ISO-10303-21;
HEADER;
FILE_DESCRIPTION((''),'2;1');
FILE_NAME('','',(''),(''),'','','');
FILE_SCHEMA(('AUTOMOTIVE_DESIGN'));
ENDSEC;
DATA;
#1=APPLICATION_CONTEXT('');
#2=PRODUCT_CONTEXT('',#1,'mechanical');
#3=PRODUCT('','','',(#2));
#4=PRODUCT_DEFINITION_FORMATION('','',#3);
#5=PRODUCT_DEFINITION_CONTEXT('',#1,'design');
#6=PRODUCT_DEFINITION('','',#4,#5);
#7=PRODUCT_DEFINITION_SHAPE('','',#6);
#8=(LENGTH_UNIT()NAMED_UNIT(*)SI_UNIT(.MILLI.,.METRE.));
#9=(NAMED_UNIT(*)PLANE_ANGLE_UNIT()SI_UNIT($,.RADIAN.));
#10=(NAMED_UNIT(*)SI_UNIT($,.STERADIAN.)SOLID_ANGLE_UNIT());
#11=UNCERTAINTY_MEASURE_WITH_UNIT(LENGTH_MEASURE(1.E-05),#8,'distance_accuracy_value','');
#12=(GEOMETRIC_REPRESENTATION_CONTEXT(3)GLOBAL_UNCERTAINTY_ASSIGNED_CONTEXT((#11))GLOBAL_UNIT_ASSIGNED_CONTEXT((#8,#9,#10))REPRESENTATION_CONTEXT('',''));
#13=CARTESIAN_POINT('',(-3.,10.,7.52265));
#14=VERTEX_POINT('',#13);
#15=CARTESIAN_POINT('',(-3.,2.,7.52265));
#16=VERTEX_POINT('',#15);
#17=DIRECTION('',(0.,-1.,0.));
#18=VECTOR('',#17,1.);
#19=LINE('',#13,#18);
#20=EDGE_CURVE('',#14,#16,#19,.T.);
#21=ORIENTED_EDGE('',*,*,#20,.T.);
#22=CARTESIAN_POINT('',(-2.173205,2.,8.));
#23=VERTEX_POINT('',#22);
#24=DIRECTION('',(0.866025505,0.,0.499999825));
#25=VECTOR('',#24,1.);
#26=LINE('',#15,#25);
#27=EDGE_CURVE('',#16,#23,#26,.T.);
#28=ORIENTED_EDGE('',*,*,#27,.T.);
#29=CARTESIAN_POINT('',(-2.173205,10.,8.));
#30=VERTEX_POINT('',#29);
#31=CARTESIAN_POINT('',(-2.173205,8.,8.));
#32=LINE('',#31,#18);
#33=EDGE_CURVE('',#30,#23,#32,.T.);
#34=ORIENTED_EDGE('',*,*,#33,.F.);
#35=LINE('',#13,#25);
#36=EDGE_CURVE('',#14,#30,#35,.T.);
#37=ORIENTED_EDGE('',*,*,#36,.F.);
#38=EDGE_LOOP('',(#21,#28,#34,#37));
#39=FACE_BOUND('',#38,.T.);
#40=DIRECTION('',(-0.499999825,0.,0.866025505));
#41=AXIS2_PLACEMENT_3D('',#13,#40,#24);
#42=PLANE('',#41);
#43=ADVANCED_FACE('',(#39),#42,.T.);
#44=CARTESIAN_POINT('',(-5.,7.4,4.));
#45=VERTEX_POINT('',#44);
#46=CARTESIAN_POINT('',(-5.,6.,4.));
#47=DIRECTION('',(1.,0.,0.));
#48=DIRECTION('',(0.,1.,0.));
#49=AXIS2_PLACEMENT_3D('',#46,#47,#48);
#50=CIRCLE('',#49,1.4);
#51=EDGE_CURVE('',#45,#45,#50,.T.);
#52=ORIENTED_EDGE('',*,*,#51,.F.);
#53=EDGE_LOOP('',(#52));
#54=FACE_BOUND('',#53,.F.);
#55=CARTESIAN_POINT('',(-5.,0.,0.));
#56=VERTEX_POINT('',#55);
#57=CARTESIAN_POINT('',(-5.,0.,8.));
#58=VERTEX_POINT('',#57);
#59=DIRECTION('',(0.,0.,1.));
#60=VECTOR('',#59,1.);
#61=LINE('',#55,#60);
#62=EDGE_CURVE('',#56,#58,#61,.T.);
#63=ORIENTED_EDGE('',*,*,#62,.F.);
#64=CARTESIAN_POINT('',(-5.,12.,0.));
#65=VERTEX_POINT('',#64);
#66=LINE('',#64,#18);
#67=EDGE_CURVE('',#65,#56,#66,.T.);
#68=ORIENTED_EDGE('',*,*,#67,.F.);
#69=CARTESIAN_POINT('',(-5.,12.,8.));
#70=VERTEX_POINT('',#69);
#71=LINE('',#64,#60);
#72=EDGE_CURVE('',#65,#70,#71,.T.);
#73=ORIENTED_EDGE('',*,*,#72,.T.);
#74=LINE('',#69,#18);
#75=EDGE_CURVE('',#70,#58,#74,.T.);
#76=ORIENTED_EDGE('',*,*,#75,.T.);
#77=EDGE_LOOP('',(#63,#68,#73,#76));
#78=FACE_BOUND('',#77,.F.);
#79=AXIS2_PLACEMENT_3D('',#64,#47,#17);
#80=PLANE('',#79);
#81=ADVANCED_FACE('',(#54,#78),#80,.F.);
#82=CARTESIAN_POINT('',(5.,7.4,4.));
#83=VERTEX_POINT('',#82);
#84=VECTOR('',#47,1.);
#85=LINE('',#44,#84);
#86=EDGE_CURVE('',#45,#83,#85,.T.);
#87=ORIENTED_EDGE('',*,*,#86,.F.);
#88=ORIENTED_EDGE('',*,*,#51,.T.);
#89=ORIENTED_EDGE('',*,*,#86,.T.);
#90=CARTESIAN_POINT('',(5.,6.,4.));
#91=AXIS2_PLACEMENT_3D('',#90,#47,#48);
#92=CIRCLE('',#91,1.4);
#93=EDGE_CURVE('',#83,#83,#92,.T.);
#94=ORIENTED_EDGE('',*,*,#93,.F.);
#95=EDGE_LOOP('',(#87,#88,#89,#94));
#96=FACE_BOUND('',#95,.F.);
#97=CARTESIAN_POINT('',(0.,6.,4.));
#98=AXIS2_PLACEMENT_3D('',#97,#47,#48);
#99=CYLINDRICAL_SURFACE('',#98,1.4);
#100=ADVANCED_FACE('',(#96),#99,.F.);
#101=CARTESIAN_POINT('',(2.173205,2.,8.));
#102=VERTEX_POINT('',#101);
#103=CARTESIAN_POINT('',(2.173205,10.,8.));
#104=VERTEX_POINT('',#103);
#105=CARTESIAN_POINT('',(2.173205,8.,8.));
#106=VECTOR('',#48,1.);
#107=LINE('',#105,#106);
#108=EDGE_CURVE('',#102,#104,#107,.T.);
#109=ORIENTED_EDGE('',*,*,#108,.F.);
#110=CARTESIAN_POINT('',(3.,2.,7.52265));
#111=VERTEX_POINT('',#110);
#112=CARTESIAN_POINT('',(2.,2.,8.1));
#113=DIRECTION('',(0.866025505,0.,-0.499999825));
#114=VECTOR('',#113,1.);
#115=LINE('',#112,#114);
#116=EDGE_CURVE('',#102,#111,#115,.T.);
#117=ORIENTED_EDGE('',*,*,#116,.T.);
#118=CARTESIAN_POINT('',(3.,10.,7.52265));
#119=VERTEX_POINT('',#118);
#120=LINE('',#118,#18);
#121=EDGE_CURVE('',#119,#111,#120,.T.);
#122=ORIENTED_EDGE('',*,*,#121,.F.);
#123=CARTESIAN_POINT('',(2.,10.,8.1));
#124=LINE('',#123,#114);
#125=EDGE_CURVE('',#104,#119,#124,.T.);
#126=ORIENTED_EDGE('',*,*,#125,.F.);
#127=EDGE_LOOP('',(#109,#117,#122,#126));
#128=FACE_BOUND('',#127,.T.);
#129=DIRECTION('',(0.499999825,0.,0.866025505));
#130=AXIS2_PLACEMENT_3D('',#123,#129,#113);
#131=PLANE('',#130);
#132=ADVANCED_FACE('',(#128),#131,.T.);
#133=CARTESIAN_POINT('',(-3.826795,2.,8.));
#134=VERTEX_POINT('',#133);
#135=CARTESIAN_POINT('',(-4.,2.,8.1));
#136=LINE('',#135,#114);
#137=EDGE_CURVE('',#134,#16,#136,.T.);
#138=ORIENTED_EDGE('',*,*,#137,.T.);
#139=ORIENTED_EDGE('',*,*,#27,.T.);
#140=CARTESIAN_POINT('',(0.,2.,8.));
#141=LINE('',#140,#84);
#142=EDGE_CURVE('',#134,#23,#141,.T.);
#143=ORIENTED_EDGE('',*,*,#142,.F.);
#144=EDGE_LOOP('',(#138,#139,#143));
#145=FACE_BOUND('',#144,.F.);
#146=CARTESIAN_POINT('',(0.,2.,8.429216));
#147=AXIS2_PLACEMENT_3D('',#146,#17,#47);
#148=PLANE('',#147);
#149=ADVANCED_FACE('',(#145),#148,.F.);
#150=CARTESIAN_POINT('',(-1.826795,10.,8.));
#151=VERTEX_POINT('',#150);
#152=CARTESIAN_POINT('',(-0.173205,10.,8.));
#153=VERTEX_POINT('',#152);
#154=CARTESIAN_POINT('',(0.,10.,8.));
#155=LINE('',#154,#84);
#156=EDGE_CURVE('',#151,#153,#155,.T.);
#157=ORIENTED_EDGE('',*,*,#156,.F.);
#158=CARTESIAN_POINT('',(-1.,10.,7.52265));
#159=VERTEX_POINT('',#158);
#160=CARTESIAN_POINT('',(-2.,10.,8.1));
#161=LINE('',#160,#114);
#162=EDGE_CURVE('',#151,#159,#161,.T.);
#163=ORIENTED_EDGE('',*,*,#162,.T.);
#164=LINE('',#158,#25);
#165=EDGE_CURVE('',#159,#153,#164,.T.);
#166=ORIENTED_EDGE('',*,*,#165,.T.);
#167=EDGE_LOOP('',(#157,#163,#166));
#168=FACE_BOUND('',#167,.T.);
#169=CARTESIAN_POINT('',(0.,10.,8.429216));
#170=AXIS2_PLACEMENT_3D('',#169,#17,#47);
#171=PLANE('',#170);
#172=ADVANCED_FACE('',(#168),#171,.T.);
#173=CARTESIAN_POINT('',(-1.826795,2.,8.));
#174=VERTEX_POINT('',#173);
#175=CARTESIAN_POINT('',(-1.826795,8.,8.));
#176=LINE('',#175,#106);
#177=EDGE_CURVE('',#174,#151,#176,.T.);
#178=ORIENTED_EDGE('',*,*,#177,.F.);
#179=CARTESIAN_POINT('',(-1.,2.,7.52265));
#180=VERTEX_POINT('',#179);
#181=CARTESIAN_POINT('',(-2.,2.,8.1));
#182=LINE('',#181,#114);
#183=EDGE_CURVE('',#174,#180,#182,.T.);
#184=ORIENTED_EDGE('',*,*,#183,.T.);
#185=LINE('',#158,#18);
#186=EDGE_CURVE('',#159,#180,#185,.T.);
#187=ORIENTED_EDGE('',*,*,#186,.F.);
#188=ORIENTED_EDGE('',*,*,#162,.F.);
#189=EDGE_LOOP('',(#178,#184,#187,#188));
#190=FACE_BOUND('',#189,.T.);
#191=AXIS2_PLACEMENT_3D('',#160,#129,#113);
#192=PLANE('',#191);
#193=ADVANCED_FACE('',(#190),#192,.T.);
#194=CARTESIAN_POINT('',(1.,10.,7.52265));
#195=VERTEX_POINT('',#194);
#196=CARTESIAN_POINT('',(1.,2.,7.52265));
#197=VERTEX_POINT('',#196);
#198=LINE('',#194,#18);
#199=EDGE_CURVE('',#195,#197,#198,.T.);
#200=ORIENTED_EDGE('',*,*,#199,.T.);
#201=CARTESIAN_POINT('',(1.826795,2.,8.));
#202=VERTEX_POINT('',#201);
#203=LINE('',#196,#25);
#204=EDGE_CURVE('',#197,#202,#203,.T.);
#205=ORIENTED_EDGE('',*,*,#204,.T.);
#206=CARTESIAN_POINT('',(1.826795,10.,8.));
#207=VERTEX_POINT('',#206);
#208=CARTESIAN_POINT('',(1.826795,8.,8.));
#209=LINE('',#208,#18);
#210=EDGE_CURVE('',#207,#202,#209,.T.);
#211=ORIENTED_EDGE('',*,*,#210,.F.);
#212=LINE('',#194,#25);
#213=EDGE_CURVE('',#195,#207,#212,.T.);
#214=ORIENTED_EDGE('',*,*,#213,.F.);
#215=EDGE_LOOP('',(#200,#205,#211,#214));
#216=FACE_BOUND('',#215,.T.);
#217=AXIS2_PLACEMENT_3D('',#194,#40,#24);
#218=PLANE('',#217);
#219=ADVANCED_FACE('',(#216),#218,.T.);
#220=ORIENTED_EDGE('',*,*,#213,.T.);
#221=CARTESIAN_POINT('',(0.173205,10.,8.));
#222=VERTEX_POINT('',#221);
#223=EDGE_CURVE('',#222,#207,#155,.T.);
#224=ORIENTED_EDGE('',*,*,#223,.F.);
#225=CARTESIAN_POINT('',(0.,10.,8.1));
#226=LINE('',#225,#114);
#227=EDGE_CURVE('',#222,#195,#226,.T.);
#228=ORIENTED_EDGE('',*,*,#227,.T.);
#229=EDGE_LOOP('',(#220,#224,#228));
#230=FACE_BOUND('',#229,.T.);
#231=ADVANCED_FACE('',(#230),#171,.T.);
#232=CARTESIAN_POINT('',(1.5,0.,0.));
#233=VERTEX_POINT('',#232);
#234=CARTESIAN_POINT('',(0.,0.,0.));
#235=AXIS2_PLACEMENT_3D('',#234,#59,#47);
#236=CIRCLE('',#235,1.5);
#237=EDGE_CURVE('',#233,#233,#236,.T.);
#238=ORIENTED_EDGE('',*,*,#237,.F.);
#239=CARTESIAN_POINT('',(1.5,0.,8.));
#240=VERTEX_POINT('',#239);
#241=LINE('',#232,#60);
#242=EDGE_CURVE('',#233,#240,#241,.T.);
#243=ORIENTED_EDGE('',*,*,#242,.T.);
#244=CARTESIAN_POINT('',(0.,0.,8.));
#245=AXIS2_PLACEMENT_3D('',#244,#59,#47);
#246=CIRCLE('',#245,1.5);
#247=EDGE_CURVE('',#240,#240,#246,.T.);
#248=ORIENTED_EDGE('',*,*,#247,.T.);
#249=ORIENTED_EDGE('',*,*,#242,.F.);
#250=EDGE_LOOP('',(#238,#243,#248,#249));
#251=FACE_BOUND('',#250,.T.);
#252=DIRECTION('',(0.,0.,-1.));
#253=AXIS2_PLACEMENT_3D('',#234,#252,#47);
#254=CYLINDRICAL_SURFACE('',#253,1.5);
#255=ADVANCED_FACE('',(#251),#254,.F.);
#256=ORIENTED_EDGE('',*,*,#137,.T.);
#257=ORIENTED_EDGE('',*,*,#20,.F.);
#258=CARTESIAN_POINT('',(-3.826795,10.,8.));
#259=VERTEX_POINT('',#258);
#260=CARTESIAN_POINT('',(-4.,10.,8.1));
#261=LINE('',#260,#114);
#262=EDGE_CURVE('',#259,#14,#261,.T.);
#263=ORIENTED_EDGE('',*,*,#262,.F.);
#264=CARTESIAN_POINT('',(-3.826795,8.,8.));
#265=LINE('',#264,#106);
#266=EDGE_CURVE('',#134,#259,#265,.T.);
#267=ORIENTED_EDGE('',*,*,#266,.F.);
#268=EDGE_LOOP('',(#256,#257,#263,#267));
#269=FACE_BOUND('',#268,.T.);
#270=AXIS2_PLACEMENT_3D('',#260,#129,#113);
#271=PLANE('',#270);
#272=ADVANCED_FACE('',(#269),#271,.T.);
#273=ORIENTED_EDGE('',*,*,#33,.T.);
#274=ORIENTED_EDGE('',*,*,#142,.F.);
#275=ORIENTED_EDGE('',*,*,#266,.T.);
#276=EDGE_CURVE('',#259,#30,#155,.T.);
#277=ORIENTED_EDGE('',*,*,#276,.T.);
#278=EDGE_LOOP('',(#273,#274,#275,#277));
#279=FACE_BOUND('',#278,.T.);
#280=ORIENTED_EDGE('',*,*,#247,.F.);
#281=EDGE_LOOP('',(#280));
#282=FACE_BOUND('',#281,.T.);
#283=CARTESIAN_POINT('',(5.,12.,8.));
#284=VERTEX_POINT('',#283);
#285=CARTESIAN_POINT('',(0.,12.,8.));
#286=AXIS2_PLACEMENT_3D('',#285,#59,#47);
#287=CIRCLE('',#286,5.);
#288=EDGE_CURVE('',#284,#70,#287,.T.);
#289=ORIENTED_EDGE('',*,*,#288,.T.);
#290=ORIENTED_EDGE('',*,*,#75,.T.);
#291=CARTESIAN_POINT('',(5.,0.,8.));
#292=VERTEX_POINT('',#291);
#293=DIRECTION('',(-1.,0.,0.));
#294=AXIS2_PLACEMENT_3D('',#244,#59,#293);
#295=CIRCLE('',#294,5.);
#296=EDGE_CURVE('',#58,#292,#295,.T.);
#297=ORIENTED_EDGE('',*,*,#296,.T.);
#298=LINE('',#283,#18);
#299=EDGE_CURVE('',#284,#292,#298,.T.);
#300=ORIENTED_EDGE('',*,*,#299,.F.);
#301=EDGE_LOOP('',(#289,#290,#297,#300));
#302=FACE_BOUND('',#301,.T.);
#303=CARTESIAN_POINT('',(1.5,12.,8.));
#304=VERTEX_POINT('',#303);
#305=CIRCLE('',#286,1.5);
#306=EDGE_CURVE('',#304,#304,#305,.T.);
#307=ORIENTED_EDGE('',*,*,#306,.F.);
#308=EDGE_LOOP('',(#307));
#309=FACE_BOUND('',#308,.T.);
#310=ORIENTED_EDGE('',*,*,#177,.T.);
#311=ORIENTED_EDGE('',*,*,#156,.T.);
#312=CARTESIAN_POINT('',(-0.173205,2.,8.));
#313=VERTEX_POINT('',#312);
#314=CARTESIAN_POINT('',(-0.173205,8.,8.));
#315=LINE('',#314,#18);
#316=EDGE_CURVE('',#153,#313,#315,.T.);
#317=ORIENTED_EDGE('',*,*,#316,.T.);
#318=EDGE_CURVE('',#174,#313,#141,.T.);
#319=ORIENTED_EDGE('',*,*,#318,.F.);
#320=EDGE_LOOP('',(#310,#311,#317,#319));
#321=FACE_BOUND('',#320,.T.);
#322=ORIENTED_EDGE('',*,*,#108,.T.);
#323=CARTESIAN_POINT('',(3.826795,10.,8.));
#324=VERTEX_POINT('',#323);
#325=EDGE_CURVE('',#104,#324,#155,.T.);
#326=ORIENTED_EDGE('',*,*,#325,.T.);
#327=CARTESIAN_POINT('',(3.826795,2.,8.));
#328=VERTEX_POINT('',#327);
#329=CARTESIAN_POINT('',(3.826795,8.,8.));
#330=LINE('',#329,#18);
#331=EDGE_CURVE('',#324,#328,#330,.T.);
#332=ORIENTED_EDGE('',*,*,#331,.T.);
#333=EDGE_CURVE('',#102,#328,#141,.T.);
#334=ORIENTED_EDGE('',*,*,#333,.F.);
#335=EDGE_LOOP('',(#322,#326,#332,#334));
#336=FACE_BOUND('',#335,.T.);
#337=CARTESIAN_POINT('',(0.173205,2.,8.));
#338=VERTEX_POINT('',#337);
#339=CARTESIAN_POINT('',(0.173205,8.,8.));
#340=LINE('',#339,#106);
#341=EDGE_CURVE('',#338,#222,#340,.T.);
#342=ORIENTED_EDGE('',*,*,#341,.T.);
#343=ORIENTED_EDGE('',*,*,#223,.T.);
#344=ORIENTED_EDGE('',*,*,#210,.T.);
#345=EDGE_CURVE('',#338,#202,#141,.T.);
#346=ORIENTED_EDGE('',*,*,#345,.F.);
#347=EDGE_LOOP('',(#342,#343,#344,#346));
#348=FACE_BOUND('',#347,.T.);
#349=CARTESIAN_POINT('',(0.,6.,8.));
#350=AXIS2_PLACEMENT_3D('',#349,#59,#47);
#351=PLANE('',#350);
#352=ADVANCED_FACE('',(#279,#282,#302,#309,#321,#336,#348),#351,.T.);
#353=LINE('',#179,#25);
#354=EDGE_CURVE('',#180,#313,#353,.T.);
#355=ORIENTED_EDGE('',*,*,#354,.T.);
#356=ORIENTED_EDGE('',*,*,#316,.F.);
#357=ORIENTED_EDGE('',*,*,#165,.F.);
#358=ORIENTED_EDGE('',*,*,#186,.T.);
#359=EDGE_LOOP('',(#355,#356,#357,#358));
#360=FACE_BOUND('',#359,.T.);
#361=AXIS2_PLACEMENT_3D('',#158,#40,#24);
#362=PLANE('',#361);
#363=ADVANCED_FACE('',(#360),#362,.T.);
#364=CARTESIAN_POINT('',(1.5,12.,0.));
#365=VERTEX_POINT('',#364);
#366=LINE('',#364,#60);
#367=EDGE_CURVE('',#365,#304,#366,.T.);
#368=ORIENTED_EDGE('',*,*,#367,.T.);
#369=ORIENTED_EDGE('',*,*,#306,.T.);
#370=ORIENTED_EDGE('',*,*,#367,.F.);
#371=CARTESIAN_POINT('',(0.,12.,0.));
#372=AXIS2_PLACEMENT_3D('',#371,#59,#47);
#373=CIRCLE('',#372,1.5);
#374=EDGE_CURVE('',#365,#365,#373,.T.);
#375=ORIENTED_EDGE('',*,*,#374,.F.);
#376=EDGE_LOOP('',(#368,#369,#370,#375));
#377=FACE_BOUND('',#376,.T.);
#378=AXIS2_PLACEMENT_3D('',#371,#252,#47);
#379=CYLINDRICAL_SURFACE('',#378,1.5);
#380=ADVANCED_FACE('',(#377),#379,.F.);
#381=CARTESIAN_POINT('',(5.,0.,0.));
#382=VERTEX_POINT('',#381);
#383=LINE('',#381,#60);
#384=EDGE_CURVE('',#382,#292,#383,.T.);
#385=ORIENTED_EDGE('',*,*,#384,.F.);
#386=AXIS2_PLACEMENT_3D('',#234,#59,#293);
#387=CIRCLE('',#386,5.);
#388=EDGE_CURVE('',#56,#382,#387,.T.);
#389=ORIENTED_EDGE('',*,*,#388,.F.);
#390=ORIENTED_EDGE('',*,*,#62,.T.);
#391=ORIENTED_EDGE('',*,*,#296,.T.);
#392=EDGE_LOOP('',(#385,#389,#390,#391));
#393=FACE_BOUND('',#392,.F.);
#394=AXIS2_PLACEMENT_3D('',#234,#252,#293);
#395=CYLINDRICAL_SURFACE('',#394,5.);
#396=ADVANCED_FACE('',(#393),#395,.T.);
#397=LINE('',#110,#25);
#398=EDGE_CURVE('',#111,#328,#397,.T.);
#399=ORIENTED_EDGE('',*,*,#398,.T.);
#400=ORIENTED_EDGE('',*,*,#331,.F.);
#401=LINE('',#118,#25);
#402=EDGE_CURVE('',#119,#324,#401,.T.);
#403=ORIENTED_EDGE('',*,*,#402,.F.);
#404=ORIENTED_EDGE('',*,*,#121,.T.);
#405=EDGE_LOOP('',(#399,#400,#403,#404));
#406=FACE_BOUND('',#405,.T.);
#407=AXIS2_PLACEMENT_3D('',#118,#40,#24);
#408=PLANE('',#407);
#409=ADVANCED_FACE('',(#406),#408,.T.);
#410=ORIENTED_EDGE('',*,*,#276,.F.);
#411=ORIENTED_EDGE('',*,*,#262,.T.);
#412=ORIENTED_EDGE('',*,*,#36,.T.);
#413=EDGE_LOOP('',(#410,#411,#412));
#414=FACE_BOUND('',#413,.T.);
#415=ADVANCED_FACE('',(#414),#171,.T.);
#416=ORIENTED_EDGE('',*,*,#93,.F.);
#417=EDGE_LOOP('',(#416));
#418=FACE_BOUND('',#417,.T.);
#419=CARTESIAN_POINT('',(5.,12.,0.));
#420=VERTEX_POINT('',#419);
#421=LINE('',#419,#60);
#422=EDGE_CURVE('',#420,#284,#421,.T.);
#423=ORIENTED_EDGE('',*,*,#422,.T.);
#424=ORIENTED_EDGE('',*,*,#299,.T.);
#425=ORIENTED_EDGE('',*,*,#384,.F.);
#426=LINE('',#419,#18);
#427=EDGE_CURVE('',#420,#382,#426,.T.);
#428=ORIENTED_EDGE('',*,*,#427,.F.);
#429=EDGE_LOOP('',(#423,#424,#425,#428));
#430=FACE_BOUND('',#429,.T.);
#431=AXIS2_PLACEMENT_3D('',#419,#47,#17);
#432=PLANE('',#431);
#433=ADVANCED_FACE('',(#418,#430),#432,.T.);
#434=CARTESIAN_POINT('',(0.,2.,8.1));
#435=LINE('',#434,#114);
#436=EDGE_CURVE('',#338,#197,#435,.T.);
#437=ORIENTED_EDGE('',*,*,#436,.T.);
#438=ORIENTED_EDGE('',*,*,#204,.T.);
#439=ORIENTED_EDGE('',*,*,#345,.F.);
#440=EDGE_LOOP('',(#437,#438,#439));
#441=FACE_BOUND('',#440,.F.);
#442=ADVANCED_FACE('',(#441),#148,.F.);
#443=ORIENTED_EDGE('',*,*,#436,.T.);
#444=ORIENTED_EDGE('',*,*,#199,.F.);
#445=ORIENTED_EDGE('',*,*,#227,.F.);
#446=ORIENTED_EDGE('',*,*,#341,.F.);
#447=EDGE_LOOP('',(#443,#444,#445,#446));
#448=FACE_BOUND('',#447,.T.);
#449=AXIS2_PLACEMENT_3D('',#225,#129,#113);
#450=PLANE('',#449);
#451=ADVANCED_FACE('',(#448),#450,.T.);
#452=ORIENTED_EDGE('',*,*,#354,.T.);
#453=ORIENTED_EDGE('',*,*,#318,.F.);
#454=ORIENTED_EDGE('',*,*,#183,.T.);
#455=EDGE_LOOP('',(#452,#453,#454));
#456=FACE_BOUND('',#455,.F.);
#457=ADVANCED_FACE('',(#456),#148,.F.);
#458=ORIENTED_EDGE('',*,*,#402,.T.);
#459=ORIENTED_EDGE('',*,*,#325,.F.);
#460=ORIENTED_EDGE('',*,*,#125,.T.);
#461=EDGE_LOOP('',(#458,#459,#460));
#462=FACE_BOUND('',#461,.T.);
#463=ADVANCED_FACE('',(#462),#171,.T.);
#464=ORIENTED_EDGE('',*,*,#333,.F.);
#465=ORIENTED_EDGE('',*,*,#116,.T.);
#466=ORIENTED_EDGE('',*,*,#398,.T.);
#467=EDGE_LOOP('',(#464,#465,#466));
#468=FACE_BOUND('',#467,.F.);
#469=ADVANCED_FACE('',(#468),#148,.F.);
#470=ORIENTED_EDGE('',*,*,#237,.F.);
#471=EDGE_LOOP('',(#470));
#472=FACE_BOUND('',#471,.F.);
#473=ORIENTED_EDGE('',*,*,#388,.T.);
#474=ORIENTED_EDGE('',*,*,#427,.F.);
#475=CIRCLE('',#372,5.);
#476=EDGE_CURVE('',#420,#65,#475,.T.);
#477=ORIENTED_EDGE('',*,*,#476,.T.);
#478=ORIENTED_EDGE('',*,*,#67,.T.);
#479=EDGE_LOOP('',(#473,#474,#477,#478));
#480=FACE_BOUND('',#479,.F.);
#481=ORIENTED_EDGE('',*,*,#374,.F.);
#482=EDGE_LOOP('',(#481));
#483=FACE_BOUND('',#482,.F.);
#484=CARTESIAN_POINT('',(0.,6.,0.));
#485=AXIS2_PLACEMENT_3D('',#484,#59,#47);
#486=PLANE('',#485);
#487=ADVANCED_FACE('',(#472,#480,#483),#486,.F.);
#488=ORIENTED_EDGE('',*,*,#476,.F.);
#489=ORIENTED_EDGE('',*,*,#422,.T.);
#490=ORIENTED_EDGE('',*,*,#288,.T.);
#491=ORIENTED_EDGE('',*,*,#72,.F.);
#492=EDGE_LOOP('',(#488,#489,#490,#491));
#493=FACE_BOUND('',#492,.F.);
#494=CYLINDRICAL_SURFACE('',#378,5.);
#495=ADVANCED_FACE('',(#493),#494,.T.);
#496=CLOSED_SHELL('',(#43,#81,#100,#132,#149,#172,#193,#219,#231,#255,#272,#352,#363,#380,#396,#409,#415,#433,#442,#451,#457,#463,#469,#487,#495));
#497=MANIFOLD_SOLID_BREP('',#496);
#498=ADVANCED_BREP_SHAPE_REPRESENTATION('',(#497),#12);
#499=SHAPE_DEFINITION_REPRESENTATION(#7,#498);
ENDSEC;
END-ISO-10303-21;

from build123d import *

# Parameters (mm, degrees)
PAD002_DEPTH = 8
SKETCH001_R  = 1.4
PAD001_DEPTH = 5
SKETCH_R     = 1.5
PAD_DEPTH    = 8


with BuildPart() as pad002:
    # Sketch002 → Pad002 (new body)
    with BuildSketch(Plane(origin=(-6, 10, 4), x_dir=(1, 0, 0), z_dir=(0, -1, 0))):
        Polygon((2, 4.1), (3, 3.52265), (4, 4.1), (5, 3.52265), (6, 4.1), (7, 3.52265), (8, 4.1), (9, 3.52265), (10, 4.1), (10, 5.1), (2, 5.1), align=None)
    extrude(amount=PAD002_DEPTH)


with BuildPart() as fusion:
    # Sketch001 → Pad001 (new body, symmetric)
    with BuildSketch(Plane.YZ):
        with Locations((6, 4)):
            Circle(SKETCH001_R)
    extrude(amount=PAD001_DEPTH, both=True)

    # Fusion: union Pad002
    add(pad002.part)


with BuildPart() as cut:
    # Sketch → Pad (new body)
    with BuildSketch(Plane.XY):
        with BuildLine():
            ThreePointArc((5, 12), (0, 17), (-5, 12))
            Line((-5, 12), (-5, 0))
            ThreePointArc((-5, 0), (0, -5), (5, 0))
            Line((5, 12), (5, 0))
        make_face()
        with Locations((0, 12)):
            Circle(SKETCH_R, mode=Mode.SUBTRACT)
        Circle(SKETCH_R, mode=Mode.SUBTRACT)
    extrude(amount=PAD_DEPTH)

    # Cut: cut Fusion
    add(fusion.part, mode=Mode.SUBTRACT)


solid = cut.part
